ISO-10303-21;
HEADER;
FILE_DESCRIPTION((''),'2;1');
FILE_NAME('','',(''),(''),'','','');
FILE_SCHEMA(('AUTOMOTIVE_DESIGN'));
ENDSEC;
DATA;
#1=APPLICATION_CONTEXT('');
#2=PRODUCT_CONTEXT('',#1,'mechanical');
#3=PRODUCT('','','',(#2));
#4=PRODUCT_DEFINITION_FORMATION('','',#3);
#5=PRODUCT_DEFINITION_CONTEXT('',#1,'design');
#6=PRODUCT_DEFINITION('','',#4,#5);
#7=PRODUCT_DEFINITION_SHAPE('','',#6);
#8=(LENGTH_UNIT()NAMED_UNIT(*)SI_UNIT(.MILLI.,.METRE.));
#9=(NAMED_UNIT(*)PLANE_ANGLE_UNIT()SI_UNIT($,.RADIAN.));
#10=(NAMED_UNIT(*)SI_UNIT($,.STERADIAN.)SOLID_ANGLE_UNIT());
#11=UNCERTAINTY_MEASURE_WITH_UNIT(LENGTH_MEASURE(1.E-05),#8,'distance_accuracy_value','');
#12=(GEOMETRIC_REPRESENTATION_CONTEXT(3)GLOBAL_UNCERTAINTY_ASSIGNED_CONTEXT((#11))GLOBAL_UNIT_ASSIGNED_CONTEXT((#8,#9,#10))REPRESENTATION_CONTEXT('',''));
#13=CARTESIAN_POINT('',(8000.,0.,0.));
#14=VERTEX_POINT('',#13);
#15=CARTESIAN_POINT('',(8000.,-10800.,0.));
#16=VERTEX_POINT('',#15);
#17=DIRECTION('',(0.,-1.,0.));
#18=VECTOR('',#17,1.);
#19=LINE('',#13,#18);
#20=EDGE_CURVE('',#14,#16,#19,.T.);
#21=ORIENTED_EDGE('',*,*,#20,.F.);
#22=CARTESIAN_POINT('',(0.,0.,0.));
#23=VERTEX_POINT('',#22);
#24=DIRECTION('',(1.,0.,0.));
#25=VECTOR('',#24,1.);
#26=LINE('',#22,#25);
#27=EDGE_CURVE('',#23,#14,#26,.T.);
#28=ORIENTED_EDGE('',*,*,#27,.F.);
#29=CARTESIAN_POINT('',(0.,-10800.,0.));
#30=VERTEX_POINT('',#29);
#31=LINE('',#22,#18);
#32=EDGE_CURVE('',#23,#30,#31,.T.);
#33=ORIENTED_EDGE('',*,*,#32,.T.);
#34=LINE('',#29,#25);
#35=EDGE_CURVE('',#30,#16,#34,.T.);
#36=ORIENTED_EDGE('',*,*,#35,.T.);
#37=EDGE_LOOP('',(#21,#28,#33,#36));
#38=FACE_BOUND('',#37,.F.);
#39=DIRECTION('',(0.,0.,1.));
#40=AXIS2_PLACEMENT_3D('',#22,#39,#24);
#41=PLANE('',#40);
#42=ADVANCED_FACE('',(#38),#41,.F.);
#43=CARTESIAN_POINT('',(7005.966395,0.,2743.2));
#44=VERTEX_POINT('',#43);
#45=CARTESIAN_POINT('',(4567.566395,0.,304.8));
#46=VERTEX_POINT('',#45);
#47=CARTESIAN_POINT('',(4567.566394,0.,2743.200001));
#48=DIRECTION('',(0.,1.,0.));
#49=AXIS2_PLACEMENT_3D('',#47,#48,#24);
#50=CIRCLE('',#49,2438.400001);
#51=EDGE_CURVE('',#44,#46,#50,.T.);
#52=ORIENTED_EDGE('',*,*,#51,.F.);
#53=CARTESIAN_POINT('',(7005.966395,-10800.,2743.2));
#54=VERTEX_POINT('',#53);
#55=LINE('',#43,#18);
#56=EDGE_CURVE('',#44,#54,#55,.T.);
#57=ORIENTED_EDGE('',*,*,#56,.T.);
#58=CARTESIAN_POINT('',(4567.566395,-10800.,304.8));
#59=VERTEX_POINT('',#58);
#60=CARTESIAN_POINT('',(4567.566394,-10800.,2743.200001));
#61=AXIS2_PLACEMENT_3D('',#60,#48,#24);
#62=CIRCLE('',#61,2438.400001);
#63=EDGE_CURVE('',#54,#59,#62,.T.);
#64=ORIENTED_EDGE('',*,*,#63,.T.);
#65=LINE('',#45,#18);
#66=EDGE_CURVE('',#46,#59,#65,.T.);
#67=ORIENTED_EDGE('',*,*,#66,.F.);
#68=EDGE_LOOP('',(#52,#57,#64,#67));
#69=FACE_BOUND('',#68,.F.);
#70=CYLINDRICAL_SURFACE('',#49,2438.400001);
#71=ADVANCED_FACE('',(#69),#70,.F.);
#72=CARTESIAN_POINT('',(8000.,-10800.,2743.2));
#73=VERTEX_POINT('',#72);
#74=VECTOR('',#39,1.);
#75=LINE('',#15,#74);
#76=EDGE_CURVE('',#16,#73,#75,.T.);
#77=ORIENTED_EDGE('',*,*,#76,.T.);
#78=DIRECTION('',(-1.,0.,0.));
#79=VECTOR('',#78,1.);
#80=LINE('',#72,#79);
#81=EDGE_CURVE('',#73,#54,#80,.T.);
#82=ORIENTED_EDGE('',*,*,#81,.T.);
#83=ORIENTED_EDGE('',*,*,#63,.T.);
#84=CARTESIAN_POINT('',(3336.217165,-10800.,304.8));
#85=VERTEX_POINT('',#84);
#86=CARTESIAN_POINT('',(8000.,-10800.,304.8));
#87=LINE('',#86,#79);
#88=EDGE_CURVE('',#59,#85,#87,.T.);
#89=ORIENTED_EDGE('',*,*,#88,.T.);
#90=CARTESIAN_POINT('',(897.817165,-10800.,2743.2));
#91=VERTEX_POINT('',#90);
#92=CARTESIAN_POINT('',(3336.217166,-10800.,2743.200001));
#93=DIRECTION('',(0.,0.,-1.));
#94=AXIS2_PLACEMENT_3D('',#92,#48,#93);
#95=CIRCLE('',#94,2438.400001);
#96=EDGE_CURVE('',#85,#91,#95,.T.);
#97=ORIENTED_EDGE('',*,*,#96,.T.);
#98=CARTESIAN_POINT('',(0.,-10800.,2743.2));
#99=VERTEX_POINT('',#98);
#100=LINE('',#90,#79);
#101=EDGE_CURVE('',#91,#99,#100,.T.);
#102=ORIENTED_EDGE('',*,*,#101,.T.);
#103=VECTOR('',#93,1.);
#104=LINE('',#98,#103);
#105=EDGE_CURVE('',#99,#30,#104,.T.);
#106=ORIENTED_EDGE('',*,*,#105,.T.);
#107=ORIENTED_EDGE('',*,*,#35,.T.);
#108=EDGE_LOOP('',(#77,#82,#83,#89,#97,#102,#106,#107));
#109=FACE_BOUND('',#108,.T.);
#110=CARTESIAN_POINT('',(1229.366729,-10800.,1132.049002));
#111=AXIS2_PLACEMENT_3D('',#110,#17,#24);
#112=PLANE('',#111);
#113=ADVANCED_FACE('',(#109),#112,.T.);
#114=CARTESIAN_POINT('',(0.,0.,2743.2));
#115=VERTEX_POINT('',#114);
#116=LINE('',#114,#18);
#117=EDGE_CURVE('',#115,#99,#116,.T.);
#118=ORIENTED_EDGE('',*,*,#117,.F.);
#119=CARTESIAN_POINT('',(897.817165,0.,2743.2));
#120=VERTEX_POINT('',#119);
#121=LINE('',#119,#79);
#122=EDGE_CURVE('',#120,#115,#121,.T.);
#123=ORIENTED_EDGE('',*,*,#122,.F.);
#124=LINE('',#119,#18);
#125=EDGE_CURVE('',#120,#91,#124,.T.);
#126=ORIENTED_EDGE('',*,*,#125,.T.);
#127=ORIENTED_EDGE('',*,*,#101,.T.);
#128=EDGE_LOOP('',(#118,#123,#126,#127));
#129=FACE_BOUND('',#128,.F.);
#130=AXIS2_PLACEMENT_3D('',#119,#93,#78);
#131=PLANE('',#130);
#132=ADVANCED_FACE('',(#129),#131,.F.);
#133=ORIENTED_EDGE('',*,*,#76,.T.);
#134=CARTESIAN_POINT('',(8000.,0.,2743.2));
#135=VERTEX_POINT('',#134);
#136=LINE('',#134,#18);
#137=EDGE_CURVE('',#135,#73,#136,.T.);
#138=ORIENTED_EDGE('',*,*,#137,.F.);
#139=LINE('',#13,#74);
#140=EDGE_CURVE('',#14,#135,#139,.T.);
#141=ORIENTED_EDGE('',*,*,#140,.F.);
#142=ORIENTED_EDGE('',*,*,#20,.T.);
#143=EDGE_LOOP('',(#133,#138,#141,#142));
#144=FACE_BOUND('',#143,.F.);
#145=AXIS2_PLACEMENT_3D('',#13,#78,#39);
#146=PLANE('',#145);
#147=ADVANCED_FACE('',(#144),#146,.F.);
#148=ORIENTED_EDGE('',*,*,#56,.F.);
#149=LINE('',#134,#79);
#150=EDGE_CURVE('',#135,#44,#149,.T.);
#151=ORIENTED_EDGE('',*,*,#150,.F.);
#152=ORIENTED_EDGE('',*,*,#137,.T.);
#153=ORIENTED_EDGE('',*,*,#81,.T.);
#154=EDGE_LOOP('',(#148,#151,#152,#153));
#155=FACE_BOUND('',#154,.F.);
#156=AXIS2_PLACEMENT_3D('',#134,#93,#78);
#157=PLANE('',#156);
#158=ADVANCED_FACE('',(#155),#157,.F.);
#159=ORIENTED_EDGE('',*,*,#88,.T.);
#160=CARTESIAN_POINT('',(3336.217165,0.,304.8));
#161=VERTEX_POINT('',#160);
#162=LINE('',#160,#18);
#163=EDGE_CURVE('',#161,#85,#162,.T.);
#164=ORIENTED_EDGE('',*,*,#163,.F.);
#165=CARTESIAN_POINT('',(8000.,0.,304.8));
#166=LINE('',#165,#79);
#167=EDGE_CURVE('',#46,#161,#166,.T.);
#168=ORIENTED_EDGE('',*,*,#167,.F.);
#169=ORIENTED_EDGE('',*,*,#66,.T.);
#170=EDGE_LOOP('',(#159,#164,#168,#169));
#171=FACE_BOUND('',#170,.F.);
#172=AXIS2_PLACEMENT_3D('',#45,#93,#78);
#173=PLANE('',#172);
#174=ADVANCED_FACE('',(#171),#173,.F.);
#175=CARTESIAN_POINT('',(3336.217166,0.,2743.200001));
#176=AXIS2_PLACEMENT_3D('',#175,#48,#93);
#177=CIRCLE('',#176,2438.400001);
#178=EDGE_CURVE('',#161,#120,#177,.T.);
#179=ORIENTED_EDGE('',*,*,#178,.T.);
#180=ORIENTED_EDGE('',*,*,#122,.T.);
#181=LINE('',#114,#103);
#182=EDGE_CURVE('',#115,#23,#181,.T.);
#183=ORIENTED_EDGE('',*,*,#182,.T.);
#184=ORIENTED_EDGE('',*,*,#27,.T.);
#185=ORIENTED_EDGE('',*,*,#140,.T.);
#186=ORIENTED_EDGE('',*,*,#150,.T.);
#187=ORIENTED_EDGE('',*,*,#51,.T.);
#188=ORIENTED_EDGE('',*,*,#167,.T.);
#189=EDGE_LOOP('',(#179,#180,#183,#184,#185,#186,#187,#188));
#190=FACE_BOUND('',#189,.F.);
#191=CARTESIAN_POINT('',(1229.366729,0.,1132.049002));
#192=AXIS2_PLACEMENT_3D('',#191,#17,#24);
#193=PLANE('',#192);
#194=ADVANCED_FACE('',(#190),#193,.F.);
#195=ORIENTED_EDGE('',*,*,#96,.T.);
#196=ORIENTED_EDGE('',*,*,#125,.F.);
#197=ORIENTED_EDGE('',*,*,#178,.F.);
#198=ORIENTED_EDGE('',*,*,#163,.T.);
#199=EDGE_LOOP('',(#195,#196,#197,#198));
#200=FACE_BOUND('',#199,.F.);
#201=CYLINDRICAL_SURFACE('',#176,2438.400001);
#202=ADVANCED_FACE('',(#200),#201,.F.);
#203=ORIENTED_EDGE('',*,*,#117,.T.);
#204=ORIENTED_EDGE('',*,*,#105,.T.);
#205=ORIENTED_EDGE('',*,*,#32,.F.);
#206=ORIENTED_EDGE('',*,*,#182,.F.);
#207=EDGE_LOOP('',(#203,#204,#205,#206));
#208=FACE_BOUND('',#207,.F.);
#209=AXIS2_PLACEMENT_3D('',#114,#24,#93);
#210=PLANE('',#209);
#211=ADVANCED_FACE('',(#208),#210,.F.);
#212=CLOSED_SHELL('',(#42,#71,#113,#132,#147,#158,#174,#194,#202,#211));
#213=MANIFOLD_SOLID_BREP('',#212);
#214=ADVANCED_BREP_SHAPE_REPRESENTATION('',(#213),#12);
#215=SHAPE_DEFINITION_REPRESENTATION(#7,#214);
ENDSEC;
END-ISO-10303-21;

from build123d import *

# Parameters (mm, degrees)
F1_DEPTH = 10800


with BuildPart() as f1:
    # F0 (on Front) → F1 (new body)
    with BuildSketch(Plane.XZ):
        with BuildLine():
            Line((0, 2743.2), (0, 304.8))
            Line((0, 304.8), (3336.217165, 304.8))
            ThreePointArc((3336.217165, 304.8), (1612.00799, 1018.990825), (897.817165, 2743.2))
            Line((897.817165, 2743.2), (0, 2743.2))
        make_face()
        Polygon((0, 304.8), (0, 0), (8000, 0), (8000, 304.8), (4567.566395, 304.8), (3336.217165, 304.8), align=None)
        with BuildLine():
            Line((4567.566395, 304.8), (8000, 304.8))
            Line((8000, 304.8), (8000, 2743.2))
            Line((8000, 2743.2), (7005.966395, 2743.2))
            ThreePointArc((7005.966395, 2743.2), (6291.77557, 1018.990825), (4567.566395, 304.8))
        make_face()
    extrude(amount=F1_DEPTH)


solid = f1.part
